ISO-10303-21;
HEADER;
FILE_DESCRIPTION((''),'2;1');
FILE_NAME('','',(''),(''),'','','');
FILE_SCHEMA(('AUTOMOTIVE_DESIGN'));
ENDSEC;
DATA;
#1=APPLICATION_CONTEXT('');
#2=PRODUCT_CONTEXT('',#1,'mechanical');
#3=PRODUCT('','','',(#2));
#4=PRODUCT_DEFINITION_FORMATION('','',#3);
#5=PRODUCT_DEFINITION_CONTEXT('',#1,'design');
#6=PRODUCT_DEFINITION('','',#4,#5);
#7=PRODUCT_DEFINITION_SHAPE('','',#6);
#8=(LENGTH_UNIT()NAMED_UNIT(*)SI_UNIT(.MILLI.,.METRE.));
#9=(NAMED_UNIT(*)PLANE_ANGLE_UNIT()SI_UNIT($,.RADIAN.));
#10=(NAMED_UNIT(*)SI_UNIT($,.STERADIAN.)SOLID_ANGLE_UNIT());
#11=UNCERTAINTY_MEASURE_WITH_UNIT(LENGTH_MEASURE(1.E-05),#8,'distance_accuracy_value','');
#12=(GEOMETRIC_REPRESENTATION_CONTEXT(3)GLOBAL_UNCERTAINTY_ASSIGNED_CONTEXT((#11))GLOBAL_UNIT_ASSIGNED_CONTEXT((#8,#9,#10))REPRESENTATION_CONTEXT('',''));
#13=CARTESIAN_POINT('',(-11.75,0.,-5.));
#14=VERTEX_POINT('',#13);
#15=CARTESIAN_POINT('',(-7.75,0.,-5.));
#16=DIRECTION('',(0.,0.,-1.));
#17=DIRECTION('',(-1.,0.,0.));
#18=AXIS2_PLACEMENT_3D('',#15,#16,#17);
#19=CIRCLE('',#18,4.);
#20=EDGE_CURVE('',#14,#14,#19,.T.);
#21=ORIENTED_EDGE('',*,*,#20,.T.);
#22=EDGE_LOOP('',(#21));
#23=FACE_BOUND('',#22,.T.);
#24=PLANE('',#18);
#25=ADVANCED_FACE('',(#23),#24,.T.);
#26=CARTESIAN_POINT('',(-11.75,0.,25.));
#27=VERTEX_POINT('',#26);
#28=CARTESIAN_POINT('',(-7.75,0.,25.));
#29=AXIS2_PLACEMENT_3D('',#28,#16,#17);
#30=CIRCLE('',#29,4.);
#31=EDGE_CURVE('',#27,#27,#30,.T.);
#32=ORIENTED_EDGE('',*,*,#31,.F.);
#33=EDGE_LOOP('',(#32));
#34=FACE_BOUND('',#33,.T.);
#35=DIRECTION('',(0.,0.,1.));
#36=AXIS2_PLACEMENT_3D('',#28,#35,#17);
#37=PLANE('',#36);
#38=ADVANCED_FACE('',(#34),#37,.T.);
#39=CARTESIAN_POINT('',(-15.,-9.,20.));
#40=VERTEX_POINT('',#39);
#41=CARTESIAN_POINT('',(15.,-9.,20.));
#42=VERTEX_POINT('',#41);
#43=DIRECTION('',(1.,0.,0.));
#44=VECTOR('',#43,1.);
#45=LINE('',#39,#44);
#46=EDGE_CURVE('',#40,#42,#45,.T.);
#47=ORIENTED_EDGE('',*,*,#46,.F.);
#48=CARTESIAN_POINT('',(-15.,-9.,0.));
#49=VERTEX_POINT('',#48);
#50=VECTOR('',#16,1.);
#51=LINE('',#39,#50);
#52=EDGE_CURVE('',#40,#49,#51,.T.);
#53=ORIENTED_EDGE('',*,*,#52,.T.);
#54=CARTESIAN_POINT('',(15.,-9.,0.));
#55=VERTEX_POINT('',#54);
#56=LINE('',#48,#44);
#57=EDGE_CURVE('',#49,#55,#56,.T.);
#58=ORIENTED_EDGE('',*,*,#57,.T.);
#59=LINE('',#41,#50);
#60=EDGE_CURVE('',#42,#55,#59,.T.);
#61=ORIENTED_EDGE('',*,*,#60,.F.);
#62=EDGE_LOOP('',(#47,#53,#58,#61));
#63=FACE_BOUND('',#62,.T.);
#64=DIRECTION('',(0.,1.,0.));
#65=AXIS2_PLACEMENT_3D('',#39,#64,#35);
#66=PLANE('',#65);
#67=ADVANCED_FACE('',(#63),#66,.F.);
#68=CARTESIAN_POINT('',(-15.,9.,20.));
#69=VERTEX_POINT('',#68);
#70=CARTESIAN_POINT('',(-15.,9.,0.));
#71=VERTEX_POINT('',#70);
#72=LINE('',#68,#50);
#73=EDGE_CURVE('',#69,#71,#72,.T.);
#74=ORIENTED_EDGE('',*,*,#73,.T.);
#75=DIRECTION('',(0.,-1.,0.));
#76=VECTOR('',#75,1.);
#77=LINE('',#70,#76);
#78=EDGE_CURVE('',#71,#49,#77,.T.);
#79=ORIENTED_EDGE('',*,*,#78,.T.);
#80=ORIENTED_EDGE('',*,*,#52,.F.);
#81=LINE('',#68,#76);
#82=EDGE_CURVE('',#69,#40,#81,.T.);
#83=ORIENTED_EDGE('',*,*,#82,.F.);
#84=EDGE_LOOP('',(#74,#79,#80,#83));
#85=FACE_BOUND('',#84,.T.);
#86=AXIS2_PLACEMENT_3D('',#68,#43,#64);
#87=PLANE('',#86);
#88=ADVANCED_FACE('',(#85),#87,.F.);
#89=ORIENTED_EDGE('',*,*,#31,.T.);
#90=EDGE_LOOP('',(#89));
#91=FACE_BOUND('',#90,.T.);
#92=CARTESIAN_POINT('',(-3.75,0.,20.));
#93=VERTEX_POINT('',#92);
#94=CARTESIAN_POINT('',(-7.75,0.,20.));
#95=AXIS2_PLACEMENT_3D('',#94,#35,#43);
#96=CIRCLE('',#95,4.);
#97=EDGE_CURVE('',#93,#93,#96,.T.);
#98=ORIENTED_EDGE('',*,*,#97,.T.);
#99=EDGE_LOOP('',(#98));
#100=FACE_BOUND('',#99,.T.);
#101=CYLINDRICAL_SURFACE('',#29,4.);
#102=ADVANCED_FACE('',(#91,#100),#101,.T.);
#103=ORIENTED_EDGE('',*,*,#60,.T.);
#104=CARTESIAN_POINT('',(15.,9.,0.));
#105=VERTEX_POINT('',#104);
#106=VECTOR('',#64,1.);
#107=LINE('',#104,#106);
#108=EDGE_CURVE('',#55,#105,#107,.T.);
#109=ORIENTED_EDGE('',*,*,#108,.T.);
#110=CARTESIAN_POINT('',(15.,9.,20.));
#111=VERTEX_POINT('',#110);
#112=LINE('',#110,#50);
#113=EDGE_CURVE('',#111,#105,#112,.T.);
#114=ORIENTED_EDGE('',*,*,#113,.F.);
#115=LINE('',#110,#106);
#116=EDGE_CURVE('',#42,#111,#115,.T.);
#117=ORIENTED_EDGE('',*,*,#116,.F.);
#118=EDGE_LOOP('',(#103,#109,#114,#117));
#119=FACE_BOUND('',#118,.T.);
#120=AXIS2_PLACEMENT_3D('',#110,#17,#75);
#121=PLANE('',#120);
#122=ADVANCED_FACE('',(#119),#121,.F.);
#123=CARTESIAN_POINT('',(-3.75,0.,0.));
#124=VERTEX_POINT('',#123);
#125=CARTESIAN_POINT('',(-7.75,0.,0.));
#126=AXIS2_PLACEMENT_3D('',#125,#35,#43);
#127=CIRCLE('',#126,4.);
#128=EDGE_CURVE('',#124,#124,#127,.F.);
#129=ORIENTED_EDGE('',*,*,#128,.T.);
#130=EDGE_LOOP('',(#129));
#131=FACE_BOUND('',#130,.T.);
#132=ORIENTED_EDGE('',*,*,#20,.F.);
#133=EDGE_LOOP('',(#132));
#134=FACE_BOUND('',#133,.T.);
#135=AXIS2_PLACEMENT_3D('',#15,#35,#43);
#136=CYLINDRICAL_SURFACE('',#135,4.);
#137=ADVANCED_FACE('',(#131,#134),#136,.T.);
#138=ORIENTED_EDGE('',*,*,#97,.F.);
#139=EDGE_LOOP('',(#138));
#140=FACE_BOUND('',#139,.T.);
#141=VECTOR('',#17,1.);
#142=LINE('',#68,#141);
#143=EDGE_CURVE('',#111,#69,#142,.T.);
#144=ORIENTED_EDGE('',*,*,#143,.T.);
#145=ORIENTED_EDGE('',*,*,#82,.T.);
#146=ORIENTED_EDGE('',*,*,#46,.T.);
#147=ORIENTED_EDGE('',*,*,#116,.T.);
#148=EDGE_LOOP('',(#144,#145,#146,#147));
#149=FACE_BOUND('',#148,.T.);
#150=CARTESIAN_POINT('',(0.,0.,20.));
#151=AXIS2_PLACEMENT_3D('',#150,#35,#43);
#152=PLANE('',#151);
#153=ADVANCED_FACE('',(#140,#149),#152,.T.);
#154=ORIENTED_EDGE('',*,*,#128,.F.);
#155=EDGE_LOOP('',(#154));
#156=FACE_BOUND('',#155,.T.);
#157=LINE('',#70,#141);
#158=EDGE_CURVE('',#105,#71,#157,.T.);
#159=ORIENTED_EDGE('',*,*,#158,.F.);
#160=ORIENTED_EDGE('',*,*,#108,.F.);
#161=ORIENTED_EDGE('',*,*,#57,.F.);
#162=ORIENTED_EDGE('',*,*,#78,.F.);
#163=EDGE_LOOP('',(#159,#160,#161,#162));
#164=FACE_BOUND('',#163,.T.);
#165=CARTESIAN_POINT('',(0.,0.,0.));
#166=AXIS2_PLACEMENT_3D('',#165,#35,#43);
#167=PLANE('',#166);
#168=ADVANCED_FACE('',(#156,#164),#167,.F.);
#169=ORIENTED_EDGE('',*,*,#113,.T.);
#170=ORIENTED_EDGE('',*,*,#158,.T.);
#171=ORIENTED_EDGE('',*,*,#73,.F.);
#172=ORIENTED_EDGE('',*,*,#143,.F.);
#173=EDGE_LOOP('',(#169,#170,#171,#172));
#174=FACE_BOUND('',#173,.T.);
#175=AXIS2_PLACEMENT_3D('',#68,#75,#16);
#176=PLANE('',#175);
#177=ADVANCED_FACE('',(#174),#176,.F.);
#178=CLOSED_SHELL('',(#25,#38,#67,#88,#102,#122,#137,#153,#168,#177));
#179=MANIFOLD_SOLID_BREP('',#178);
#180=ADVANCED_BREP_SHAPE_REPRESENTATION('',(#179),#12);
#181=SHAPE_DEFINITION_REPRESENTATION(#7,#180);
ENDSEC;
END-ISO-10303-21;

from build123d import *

# Parameters (mm, degrees)
ESQUISSE1_W        = 30
ESQUISSE1_H        = 18
BOSS_EXTRU_1_DEPTH = 20
ESQUISSE2_R        = 4
BOSS_EXTRU_2_DEPTH = 5


with BuildPart() as part:
    # Esquisse1 → Boss.-Extru.1 (new body)
    with BuildSketch(Plane.XY):
        Rectangle(ESQUISSE1_W, ESQUISSE1_H)
    extrude(amount=BOSS_EXTRU_1_DEPTH)

    # Esquisse2 → Boss.-Extru.2 (add)
    with BuildSketch(Plane(origin=(0, 0, 0), x_dir=(-1, 0, 0), z_dir=(0, 0, -1))):
        with Locations((7.75, 0)):
            Circle(ESQUISSE2_R)
    boss_extru_2 = extrude(amount=BOSS_EXTRU_2_DEPTH)

    # Symétrie1: Boss.-Extru.2 across plane
    add(boss_extru_2.mirror(Plane.XY.offset(10)))


solid = part.part
